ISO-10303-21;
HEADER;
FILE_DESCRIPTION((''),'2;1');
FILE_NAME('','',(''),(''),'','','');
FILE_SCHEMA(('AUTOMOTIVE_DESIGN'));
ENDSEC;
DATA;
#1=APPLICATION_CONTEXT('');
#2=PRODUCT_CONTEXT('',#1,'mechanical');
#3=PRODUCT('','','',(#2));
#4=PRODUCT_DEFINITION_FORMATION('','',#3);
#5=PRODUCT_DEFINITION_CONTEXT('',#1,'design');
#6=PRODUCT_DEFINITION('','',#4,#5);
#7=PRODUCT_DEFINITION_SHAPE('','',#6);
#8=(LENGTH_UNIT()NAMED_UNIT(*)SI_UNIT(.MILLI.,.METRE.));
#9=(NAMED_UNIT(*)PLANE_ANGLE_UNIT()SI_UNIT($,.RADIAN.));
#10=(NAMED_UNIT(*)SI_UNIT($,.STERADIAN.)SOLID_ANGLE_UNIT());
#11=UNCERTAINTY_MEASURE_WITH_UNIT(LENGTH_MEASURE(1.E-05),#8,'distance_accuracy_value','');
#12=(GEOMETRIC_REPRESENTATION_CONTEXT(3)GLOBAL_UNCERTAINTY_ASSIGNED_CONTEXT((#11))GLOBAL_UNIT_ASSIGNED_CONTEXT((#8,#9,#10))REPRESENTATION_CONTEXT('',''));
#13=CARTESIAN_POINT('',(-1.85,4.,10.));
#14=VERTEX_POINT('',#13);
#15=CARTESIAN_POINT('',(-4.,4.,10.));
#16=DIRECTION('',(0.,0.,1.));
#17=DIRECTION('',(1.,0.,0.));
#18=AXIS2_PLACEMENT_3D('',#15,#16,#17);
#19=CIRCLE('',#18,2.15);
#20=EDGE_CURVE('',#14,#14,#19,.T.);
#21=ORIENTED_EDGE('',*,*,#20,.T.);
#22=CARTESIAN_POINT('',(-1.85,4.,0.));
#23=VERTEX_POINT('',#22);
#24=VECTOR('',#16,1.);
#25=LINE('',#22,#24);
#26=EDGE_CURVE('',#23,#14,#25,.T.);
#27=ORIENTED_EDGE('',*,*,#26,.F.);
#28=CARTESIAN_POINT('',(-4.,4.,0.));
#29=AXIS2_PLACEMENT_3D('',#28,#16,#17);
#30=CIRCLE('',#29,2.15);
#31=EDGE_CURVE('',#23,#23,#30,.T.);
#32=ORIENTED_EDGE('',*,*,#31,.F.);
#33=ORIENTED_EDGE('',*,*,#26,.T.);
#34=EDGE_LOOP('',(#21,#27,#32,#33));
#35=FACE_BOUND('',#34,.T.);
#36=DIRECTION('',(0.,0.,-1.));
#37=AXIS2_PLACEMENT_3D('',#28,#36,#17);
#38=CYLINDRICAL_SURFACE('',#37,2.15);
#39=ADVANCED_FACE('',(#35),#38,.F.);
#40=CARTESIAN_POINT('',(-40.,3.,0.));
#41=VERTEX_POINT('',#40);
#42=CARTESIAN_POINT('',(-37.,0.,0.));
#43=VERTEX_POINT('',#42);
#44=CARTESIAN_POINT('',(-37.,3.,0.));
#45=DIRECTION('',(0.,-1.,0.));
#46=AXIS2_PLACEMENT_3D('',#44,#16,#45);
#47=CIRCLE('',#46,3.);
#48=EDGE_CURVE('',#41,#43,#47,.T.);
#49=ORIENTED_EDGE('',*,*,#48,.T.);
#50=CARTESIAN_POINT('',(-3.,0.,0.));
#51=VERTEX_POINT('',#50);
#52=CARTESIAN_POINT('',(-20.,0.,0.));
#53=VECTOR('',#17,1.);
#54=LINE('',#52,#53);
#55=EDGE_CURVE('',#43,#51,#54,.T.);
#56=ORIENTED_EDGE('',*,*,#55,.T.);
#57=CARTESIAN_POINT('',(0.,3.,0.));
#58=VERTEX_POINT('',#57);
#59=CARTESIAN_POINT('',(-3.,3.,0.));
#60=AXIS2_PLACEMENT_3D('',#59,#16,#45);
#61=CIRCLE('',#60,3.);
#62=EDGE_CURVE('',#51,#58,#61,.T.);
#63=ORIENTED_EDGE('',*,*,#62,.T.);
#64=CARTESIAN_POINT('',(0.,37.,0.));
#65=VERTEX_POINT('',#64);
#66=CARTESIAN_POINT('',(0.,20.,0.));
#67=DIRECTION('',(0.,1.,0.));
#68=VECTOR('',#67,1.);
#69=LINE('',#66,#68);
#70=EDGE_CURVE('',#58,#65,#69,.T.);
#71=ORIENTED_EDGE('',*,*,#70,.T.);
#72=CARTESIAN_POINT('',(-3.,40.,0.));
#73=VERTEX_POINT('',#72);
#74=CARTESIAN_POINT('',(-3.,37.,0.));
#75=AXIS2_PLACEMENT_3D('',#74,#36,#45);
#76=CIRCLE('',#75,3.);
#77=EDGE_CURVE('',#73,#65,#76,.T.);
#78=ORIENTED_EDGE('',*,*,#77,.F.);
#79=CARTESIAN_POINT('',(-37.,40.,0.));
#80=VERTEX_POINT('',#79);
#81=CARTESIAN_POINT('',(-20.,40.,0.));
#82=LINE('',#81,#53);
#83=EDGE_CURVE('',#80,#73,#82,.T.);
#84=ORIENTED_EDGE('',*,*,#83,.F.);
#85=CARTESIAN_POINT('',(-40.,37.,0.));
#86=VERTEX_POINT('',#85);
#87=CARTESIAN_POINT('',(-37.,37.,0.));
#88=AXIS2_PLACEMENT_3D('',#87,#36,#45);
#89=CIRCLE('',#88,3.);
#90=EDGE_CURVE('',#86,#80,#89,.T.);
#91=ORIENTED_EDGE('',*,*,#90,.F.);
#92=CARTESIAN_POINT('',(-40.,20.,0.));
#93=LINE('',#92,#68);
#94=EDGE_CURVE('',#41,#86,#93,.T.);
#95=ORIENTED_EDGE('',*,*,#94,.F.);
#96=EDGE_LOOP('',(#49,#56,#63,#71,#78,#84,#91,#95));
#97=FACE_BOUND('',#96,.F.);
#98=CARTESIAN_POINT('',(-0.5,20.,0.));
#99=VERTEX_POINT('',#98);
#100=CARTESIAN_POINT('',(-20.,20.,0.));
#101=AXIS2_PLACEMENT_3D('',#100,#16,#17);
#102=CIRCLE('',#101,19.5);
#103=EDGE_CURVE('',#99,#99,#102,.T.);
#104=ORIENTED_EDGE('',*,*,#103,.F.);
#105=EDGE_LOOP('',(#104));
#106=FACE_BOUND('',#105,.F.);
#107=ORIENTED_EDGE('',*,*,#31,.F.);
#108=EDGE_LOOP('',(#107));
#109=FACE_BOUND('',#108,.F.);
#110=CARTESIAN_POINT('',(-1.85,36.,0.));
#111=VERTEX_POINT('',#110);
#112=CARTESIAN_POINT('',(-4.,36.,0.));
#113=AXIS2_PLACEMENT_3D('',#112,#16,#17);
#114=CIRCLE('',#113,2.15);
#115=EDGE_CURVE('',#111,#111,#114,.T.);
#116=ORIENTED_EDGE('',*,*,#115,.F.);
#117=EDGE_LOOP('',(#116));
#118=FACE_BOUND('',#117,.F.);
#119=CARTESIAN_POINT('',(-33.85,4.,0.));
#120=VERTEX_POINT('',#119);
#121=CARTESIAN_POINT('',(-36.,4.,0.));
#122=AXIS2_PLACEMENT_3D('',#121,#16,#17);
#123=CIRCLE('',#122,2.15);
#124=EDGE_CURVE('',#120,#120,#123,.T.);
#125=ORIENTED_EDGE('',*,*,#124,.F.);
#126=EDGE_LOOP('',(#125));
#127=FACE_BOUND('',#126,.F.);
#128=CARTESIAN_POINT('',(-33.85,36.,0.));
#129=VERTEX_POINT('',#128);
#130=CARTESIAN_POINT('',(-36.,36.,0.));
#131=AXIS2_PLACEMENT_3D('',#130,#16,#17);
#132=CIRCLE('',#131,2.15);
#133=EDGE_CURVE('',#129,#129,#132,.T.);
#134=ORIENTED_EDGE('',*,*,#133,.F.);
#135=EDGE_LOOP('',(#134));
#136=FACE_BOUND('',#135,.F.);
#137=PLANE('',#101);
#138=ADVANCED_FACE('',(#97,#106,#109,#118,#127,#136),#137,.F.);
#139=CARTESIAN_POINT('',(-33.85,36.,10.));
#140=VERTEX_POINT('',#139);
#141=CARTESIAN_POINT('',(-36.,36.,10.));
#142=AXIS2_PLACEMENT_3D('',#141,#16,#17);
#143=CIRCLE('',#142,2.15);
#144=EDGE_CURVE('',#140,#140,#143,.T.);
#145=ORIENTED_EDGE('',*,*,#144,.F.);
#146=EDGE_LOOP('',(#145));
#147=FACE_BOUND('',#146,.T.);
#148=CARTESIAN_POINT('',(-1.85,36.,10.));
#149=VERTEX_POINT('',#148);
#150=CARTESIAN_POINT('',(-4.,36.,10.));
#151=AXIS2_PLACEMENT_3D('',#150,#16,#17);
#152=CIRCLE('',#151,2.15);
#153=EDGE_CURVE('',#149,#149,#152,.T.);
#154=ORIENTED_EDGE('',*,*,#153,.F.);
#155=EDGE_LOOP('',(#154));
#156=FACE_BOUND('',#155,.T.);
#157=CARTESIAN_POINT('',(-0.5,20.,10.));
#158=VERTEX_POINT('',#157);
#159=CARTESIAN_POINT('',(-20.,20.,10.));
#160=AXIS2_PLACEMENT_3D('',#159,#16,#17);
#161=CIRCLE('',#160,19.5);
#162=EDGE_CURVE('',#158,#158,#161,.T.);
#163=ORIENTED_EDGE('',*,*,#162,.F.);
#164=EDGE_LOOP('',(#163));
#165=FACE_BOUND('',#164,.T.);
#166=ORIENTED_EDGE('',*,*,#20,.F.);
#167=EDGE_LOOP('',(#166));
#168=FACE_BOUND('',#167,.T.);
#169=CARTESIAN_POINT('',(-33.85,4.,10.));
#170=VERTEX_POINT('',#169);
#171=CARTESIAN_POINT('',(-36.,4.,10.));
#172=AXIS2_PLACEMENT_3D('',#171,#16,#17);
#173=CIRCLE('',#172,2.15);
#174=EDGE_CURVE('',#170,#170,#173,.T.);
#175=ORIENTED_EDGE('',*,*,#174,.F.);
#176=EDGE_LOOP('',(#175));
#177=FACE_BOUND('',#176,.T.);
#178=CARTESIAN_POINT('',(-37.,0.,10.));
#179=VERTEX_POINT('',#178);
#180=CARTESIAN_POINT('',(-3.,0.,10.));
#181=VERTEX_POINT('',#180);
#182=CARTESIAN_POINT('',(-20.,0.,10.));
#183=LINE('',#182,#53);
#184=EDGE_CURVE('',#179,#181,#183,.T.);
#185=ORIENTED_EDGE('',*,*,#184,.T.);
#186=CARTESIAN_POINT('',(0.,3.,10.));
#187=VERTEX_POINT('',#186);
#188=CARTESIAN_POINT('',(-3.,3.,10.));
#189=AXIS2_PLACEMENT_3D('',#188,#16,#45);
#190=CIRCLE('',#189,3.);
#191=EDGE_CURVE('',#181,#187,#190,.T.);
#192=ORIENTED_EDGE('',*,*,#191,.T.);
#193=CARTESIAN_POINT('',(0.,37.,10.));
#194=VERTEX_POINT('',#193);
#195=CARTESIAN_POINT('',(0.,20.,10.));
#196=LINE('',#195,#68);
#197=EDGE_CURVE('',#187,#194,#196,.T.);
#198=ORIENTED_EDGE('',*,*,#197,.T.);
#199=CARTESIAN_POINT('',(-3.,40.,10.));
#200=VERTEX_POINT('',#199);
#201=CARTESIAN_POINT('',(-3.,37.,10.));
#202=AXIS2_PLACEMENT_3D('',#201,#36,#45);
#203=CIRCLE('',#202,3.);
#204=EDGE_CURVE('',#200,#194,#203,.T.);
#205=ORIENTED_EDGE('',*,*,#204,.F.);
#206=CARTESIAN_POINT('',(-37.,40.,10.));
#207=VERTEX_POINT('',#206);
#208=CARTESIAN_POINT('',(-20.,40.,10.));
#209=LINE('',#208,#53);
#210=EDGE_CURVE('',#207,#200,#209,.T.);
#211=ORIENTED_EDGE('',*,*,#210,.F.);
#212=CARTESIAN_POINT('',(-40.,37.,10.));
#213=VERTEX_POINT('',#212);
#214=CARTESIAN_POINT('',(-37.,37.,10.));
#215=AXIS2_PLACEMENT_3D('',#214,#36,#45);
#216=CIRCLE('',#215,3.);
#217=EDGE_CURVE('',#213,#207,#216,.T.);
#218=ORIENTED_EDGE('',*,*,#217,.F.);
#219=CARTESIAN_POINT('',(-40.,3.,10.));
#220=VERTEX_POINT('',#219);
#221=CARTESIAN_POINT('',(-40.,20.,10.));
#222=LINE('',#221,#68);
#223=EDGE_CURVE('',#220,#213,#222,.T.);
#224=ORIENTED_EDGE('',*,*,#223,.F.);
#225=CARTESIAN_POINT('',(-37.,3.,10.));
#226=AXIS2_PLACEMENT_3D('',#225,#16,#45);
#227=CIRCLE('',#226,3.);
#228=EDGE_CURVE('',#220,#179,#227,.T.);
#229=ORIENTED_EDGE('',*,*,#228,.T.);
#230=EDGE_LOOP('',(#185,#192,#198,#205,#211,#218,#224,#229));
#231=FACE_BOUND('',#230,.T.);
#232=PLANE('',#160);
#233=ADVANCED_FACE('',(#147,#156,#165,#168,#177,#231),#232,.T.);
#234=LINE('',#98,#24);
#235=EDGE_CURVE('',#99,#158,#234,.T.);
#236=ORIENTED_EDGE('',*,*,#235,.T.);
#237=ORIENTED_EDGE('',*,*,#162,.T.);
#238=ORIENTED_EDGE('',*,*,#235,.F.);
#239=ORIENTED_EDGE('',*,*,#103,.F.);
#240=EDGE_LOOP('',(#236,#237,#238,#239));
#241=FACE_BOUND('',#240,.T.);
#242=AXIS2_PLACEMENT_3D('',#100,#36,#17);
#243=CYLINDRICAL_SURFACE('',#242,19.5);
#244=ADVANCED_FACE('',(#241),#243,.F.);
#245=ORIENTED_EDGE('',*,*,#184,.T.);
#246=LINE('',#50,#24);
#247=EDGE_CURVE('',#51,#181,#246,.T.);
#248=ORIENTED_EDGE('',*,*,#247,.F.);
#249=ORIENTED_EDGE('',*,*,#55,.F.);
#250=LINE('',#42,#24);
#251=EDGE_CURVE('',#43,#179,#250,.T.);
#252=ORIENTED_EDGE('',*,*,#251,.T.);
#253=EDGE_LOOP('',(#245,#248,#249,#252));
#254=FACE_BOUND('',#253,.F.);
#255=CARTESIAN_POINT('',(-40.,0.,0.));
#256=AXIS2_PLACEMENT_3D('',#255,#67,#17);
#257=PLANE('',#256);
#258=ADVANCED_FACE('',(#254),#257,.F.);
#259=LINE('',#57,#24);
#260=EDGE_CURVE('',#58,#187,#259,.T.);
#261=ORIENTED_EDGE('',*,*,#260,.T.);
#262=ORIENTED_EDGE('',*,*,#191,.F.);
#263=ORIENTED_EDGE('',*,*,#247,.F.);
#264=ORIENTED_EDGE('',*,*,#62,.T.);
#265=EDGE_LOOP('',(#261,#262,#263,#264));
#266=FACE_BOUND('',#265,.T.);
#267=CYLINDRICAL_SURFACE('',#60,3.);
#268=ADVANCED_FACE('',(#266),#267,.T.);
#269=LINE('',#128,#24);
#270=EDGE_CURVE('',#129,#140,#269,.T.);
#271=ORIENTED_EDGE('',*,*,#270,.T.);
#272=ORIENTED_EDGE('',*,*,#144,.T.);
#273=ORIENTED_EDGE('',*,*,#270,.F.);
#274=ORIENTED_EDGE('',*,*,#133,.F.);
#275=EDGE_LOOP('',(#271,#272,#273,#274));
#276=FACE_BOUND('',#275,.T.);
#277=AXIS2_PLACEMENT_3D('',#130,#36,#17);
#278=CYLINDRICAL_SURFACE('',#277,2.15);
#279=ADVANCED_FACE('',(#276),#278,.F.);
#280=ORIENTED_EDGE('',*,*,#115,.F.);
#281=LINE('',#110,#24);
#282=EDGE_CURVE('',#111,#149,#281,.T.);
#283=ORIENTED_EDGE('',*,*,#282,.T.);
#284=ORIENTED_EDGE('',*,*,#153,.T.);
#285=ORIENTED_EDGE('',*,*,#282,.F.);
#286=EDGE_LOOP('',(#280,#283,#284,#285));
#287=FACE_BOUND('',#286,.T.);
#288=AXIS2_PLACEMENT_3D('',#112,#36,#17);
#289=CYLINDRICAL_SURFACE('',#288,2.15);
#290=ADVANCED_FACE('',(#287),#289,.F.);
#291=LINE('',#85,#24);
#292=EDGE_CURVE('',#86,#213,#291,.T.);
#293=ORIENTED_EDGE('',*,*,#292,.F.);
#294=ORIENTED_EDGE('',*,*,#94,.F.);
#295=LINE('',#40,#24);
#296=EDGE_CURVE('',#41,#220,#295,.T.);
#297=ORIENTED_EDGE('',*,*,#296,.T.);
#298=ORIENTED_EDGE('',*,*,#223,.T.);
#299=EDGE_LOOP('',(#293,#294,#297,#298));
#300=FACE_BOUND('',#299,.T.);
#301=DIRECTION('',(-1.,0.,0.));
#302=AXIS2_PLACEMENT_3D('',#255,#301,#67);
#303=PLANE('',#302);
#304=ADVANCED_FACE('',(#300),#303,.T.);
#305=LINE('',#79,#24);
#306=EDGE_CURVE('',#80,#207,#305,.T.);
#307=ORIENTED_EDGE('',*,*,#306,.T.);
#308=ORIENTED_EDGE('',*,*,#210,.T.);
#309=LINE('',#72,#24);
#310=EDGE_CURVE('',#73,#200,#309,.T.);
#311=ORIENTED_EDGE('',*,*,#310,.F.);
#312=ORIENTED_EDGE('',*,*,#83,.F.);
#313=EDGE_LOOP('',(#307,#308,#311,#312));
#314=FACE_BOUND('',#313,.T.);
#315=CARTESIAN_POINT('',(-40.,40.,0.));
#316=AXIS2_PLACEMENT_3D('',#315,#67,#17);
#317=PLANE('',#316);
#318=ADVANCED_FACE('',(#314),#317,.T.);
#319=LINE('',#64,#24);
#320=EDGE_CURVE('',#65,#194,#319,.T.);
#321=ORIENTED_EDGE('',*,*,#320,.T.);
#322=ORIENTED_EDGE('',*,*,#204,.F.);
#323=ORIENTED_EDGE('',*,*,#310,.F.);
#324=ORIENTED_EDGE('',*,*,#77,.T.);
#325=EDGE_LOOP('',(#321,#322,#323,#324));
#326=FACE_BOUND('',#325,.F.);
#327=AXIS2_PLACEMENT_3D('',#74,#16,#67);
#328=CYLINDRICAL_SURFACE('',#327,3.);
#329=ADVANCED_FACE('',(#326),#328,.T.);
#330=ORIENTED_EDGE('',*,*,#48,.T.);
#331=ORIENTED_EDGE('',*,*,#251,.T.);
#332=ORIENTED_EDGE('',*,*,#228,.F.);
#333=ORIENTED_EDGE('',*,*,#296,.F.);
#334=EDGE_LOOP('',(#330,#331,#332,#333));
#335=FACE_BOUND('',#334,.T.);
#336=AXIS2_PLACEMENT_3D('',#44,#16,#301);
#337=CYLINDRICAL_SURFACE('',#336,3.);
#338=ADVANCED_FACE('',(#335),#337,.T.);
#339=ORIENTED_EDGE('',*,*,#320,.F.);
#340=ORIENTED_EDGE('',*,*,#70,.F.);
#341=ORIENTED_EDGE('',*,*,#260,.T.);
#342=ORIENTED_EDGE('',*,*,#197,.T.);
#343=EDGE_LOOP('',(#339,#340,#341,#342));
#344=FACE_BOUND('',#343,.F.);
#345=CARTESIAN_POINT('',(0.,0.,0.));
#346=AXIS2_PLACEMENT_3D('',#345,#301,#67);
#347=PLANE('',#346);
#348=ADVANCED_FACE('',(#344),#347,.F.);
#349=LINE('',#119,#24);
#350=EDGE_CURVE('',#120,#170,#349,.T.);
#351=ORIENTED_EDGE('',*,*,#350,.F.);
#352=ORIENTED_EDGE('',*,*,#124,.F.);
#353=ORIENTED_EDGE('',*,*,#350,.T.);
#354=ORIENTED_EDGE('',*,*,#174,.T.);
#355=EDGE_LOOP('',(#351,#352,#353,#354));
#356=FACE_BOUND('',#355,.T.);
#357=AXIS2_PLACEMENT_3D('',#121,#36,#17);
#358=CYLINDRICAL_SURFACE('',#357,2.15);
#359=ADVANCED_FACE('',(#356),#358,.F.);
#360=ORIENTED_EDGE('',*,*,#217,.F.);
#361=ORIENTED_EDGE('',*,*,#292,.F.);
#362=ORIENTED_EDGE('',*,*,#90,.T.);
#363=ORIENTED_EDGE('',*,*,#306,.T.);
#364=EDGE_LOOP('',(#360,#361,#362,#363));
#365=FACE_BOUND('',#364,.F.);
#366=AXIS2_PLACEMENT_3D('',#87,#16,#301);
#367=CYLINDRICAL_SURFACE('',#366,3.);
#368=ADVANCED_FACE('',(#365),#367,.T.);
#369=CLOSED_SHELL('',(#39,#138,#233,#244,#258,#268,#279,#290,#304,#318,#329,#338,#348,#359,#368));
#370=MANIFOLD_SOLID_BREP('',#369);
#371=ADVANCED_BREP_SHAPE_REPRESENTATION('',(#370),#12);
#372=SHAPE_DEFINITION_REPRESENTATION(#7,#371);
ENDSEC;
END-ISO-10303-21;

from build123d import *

# Parameters (mm, degrees)
F0_W     = 40
F0_H     = 40
F0_R     = 2.15
F0_R_2   = 19.5
F1_DEPTH = 10
F2_R     = 3


with BuildPart() as f1:
    # F0 (on Top) → F1 (new body)
    with BuildSketch(Plane.XY):
        with Locations((-20, 20)):
            Rectangle(F0_W, F0_H)
        with Locations((-36, 4)):
            Circle(F0_R, mode=Mode.SUBTRACT)
        with Locations((-4, 4)):
            Circle(F0_R, mode=Mode.SUBTRACT)
        with Locations((-36, 36)):
            Circle(F0_R, mode=Mode.SUBTRACT)
        with Locations((-20, 20)):
            Circle(F0_R_2, mode=Mode.SUBTRACT)
        with Locations((-4, 36)):
            Circle(F0_R, mode=Mode.SUBTRACT)
    extrude(amount=F1_DEPTH)

    # F2
    f2_edges = [f1.edges().sort_by_distance(p)[0] for p in [
        (0, 0, 5),
        (0, 40, 5),
        (-40, 40, 5),
        (-40, 0, 5),
    ]]
    fillet(f2_edges, radius=F2_R)


solid = f1.part
